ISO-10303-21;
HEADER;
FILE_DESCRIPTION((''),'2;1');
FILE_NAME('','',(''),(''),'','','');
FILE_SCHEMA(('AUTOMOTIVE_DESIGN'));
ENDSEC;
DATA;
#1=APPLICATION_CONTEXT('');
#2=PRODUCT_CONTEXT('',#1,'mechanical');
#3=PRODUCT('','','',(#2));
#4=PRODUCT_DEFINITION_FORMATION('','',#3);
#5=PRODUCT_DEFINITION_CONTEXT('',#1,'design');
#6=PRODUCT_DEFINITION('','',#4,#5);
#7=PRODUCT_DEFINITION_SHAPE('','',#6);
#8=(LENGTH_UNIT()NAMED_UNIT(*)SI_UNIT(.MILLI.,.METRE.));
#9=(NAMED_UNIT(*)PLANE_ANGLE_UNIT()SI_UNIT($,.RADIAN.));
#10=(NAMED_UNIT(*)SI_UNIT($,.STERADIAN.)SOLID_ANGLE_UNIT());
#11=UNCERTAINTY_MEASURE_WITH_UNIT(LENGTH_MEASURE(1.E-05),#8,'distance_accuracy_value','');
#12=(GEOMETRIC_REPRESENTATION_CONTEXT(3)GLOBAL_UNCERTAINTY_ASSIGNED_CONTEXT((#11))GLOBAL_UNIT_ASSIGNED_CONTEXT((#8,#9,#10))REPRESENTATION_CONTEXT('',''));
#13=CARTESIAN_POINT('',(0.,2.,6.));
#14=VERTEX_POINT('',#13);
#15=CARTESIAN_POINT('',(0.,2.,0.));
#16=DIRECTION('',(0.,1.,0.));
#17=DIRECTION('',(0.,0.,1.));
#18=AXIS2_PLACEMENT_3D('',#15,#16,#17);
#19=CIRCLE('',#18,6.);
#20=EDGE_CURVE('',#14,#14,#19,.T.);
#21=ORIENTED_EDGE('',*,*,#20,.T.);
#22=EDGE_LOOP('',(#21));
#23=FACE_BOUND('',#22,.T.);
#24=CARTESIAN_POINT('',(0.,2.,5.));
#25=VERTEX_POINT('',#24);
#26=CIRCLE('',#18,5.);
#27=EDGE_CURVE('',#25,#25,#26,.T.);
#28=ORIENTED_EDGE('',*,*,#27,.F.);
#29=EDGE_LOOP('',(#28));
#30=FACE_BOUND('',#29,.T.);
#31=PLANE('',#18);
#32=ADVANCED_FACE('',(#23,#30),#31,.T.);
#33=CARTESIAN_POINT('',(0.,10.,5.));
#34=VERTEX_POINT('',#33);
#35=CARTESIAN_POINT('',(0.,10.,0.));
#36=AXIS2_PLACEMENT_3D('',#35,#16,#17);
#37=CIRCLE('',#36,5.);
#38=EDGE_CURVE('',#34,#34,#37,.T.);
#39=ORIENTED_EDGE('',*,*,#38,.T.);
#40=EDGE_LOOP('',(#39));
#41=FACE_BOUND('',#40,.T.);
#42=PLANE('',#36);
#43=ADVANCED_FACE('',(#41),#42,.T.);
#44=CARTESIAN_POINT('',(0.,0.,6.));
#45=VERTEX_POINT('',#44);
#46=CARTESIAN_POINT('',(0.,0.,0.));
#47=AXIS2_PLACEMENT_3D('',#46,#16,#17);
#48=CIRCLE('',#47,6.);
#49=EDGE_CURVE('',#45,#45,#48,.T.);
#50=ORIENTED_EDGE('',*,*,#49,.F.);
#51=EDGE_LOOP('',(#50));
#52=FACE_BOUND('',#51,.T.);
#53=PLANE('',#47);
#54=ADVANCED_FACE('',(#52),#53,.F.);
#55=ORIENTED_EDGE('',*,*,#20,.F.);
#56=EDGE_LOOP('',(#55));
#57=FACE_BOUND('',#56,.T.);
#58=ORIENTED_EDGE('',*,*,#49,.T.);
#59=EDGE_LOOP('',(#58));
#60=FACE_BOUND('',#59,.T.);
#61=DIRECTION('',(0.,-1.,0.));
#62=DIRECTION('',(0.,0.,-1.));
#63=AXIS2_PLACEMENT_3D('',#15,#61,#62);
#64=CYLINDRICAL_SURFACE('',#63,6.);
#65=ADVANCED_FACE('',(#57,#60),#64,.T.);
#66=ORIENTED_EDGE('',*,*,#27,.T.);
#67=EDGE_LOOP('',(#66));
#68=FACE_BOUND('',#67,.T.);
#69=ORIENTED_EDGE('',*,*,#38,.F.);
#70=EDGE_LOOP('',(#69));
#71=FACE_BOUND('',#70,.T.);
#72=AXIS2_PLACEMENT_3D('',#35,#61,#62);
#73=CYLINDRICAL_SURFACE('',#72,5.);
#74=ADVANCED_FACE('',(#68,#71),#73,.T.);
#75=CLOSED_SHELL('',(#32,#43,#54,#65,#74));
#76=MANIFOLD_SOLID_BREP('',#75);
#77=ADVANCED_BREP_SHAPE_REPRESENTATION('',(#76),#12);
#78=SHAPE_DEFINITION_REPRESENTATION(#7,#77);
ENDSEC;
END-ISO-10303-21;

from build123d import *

# Parameters (mm, degrees)
SKETCH1_R           = 5
BOSS_EXTRUDE1_DEPTH = 10
SKETCH1_3_R         = 6
SKETCH1_3_R_2       = 5
BOSS_EXTRUDE2_DEPTH = 2


with BuildPart() as part:
    # Sketch1 → Boss-Extrude1 (new body)
    with BuildSketch(Plane(origin=(0, 0, 0), x_dir=(1, 0, 0), z_dir=(0, 1, 0))):
        Circle(SKETCH1_R)
    extrude(amount=BOSS_EXTRUDE1_DEPTH)

    # Sketch1<3> → Boss-Extrude2 (add)
    with BuildSketch(Plane(origin=(0, 0, 0), x_dir=(1, 0, 0), z_dir=(0, 1, 0))):
        Circle(SKETCH1_3_R)
        Circle(SKETCH1_3_R_2, mode=Mode.SUBTRACT)
    extrude(amount=BOSS_EXTRUDE2_DEPTH)


solid = part.part
